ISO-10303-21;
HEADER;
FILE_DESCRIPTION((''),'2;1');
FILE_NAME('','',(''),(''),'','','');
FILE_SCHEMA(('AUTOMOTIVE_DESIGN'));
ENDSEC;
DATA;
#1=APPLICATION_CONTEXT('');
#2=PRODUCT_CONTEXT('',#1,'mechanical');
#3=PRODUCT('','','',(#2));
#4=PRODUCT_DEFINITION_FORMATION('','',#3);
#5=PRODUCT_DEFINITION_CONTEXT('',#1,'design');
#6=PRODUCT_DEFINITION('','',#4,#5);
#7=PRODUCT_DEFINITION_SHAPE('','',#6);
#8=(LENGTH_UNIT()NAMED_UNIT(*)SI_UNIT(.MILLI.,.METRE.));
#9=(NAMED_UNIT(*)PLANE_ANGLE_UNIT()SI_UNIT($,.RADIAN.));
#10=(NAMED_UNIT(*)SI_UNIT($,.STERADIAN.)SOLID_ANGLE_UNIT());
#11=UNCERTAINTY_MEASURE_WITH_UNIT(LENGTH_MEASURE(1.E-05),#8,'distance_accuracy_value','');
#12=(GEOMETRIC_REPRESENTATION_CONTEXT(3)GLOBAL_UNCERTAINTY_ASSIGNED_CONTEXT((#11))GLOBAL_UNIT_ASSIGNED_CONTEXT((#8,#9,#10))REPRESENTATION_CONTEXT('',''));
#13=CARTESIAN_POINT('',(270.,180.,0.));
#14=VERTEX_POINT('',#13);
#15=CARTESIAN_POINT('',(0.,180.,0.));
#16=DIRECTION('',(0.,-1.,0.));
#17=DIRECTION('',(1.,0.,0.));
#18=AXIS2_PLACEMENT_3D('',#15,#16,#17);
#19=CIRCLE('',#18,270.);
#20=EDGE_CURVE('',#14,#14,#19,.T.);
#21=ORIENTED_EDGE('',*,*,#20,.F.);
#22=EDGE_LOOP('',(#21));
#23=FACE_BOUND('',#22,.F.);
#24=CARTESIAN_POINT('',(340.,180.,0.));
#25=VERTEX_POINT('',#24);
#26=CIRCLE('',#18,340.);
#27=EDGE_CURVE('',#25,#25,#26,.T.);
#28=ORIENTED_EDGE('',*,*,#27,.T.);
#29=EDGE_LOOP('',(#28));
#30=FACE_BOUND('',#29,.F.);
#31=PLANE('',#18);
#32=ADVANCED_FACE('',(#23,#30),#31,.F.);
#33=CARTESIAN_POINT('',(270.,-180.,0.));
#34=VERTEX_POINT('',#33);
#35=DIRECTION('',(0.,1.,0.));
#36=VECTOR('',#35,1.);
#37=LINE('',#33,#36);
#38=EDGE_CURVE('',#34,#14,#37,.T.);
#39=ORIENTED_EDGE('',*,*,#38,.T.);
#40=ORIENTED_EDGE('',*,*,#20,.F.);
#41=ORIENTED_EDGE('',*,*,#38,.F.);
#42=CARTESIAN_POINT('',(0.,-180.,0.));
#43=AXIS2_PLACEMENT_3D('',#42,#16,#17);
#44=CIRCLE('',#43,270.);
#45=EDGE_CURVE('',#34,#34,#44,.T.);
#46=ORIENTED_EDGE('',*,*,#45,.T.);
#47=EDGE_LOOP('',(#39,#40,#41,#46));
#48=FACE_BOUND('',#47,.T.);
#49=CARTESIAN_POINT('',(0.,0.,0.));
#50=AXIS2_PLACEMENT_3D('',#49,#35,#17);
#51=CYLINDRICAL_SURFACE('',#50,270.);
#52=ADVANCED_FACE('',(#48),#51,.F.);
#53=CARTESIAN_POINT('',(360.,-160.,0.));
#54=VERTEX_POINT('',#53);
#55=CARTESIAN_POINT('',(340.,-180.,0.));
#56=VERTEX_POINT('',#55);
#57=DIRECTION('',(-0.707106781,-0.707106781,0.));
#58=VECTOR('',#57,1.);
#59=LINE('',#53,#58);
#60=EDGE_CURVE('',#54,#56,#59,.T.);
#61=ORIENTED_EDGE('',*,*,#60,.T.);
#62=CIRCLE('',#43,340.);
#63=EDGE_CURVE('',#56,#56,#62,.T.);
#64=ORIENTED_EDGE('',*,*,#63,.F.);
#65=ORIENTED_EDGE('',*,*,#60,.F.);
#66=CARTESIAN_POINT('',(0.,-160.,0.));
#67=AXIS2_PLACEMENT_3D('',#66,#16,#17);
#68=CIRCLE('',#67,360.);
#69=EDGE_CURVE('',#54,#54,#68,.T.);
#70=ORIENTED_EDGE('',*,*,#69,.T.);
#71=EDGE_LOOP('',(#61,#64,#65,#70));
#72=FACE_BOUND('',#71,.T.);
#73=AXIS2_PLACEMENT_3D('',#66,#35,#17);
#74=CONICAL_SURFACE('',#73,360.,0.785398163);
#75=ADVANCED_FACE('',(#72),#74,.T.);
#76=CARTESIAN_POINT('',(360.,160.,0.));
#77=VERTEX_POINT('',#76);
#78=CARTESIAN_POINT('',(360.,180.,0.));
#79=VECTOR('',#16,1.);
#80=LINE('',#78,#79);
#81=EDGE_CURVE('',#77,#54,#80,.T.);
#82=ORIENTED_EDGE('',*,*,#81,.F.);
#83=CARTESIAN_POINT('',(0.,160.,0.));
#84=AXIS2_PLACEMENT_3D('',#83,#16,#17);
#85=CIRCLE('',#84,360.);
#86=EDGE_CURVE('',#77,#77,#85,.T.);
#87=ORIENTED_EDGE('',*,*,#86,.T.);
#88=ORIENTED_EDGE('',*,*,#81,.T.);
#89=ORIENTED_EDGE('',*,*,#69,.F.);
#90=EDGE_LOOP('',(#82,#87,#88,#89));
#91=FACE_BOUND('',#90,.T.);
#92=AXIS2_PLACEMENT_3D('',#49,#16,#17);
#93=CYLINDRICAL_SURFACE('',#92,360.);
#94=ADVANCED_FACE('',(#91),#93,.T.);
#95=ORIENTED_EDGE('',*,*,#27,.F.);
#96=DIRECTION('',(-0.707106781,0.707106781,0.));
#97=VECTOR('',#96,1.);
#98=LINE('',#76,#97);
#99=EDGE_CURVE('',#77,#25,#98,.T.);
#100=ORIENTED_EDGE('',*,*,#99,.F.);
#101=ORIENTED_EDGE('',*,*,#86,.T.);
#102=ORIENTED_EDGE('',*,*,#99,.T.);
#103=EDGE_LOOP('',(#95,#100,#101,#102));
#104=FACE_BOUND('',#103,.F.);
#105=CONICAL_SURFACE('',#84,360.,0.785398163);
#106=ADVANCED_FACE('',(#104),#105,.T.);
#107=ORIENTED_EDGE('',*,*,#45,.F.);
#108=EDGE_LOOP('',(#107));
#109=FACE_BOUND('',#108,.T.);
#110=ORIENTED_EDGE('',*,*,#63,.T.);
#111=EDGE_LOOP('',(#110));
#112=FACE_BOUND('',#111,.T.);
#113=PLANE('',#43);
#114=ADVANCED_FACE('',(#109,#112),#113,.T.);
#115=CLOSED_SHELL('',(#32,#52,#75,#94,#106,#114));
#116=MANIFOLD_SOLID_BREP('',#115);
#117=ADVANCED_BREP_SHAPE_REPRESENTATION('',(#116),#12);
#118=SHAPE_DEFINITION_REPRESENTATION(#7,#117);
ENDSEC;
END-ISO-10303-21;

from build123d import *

# Parameters (mm, degrees)
F0_R     = 360
F0_R_2   = 270
F1_DEPTH = 180
F2_SIZE  = 20
F3_SIZE  = 20


with BuildPart() as f1:
    # F0 (on Front) → F1 (new body, symmetric)
    with BuildSketch(Plane.XZ):
        Circle(F0_R)
        Circle(F0_R_2, mode=Mode.SUBTRACT)
    extrude(amount=F1_DEPTH, both=True)

    # F2
    f2_edges = [f1.edges().sort_by_distance(p)[0] for p in [
        (-360, -180, 0),
    ]]
    chamfer(f2_edges, length=F2_SIZE)

    # F3
    f3_edges = [f1.edges().sort_by_distance(p)[0] for p in [
        (-360, 180, 0),
    ]]
    chamfer(f3_edges, length=F3_SIZE)


solid = f1.part
